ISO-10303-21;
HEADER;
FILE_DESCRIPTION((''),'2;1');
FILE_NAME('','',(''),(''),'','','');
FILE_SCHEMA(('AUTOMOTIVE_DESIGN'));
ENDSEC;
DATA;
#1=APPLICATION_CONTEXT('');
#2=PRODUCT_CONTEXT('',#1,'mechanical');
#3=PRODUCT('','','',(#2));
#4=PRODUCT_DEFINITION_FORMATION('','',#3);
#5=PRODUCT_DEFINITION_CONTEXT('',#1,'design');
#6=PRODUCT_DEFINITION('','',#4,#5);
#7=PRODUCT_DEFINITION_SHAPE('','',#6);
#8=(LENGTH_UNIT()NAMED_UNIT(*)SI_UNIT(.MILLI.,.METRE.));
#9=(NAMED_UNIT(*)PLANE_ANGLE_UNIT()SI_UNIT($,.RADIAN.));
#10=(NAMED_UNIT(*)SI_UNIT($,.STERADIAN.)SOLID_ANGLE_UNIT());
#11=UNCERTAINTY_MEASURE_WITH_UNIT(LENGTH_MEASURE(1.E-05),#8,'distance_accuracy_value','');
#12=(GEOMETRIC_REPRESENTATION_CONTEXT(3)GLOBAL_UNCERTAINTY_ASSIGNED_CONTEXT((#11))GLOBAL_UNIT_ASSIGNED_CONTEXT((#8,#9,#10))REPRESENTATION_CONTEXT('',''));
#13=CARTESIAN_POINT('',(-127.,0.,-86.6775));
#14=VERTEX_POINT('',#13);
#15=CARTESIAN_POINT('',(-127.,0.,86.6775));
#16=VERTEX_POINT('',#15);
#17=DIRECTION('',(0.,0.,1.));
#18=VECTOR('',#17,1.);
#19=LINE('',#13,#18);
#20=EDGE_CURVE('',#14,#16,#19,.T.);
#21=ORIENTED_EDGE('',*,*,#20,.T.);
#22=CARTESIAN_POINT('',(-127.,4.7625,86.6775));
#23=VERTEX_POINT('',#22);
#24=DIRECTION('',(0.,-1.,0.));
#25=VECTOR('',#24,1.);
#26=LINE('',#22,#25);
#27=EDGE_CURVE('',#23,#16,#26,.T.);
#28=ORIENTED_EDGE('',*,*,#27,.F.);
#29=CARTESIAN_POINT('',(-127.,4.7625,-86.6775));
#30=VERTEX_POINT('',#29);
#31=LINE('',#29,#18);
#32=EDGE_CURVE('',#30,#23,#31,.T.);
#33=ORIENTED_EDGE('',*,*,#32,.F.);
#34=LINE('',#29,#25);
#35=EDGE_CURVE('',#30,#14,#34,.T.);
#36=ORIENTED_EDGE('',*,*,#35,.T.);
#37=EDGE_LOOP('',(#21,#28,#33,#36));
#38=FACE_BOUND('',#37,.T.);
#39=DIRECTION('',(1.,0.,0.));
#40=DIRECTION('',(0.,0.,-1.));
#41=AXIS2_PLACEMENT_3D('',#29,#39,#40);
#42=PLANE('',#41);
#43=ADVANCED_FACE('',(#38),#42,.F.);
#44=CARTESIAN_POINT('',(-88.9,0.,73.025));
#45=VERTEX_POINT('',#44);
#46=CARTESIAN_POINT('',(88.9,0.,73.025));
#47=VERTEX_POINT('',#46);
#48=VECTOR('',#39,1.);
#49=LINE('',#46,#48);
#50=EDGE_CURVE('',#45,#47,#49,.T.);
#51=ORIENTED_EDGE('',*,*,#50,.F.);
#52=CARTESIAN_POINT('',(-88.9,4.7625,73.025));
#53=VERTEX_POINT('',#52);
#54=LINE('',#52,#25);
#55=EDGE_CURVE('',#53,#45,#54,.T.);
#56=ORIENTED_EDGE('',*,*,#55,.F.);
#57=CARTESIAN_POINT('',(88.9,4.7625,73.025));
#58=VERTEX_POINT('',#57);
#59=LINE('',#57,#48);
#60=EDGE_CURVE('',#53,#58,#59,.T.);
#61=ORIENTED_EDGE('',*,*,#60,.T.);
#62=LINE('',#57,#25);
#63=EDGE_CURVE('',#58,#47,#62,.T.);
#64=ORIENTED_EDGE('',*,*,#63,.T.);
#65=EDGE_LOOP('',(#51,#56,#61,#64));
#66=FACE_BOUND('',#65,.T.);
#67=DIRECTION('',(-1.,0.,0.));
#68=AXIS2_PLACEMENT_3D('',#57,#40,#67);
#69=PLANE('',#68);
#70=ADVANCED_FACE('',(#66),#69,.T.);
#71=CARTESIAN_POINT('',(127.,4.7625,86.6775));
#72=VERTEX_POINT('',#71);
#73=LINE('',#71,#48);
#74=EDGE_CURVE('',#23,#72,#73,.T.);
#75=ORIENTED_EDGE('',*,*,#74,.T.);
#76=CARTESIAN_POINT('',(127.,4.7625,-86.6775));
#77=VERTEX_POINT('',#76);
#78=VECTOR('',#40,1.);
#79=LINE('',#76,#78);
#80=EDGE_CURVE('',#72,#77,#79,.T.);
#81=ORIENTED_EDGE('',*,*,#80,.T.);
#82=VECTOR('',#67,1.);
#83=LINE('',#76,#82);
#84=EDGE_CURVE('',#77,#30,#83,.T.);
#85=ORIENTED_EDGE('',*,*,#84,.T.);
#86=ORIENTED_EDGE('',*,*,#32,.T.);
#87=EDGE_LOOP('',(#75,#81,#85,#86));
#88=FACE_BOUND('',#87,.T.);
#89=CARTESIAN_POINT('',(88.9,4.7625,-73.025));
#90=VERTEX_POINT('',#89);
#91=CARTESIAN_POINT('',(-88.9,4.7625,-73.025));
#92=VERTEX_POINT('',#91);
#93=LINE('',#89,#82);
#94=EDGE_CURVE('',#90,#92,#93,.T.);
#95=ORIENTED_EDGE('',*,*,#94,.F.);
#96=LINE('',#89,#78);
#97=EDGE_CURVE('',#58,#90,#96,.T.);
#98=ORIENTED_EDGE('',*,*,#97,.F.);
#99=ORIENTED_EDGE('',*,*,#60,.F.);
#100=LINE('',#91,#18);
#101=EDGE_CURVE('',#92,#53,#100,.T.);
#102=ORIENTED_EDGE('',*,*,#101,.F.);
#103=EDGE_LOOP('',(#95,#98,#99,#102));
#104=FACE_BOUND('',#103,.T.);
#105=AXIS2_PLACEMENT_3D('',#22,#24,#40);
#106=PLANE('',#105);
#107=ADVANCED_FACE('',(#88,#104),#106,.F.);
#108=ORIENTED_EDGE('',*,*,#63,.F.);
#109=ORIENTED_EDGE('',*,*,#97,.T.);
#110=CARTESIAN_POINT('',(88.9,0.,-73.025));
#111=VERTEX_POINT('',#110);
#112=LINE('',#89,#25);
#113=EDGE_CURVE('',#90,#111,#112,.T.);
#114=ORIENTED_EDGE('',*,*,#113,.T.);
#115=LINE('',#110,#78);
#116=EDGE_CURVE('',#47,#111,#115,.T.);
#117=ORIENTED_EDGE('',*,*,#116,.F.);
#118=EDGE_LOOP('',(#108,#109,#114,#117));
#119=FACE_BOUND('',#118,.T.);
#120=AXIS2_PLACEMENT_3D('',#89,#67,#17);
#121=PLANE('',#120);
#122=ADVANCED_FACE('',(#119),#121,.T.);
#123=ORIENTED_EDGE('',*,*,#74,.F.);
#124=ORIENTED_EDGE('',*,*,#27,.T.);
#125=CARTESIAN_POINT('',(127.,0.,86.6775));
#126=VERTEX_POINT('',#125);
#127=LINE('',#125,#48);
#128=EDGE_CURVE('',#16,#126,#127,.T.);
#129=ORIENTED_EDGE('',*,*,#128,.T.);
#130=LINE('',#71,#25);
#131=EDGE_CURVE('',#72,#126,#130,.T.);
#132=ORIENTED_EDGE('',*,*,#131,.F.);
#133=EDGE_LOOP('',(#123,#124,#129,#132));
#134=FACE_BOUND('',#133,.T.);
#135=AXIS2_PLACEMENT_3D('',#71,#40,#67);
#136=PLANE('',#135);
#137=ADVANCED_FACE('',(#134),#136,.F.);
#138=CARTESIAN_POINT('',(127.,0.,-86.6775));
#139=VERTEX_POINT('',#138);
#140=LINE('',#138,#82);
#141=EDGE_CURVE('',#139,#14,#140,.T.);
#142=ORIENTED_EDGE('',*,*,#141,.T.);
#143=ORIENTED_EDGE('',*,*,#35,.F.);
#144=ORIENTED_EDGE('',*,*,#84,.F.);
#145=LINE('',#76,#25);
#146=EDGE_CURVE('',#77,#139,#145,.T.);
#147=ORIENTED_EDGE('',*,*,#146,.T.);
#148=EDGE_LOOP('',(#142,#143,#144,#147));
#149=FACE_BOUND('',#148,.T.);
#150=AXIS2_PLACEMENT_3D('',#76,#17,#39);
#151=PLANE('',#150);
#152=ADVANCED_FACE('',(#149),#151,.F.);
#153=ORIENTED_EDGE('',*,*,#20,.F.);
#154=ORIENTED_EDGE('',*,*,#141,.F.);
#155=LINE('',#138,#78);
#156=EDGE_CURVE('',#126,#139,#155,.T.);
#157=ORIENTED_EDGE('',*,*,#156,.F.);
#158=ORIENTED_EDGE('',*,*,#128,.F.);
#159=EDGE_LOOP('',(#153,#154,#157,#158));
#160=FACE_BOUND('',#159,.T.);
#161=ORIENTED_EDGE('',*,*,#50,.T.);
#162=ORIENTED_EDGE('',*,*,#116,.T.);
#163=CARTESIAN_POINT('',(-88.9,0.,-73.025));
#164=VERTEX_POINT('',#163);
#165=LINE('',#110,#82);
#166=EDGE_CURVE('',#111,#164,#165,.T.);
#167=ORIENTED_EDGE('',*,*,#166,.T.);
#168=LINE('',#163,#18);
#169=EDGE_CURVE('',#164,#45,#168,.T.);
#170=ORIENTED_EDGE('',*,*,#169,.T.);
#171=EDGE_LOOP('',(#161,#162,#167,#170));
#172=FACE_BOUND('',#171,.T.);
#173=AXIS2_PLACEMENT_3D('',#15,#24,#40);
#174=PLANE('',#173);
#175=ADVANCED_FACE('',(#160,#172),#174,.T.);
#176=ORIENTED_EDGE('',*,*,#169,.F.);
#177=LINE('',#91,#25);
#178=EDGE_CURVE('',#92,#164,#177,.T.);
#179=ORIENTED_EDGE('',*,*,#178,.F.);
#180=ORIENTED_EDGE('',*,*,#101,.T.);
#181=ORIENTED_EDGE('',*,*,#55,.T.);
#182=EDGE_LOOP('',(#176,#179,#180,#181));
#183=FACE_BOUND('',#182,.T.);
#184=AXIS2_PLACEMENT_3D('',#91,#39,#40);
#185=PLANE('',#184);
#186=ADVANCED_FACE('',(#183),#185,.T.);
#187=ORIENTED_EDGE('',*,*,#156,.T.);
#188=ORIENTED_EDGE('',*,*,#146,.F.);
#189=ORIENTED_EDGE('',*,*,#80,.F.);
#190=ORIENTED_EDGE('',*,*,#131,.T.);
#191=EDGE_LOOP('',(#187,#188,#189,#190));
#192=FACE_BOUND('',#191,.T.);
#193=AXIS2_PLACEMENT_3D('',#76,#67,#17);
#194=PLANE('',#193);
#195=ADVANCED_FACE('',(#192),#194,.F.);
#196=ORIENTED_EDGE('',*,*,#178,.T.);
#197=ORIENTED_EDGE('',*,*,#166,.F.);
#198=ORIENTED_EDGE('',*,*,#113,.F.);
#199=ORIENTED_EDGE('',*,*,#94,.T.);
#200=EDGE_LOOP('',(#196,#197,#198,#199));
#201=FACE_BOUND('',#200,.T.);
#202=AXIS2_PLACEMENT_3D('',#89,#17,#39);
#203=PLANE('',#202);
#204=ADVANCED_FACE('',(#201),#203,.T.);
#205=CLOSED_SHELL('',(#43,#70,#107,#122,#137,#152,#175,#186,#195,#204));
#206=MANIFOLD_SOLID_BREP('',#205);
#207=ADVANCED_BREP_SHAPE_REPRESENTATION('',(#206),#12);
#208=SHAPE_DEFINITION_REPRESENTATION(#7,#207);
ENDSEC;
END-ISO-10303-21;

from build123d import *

# Parameters (mm, degrees)
SKETCH1_W           = 254
SKETCH1_H           = 173.355
SKETCH1_W_2         = 177.8
SKETCH1_H_2         = 146.05
BOSS_EXTRUDE1_DEPTH = 4.7625


with BuildPart() as part:
    # Sketch1 → Boss-Extrude1 (new body)
    with BuildSketch(Plane(origin=(0, 0, 0), x_dir=(1, 0, 0), z_dir=(0, 1, 0))):
        Rectangle(SKETCH1_W, SKETCH1_H)
        Rectangle(SKETCH1_W_2, SKETCH1_H_2, mode=Mode.SUBTRACT)
    extrude(amount=BOSS_EXTRUDE1_DEPTH)


solid = part.part
